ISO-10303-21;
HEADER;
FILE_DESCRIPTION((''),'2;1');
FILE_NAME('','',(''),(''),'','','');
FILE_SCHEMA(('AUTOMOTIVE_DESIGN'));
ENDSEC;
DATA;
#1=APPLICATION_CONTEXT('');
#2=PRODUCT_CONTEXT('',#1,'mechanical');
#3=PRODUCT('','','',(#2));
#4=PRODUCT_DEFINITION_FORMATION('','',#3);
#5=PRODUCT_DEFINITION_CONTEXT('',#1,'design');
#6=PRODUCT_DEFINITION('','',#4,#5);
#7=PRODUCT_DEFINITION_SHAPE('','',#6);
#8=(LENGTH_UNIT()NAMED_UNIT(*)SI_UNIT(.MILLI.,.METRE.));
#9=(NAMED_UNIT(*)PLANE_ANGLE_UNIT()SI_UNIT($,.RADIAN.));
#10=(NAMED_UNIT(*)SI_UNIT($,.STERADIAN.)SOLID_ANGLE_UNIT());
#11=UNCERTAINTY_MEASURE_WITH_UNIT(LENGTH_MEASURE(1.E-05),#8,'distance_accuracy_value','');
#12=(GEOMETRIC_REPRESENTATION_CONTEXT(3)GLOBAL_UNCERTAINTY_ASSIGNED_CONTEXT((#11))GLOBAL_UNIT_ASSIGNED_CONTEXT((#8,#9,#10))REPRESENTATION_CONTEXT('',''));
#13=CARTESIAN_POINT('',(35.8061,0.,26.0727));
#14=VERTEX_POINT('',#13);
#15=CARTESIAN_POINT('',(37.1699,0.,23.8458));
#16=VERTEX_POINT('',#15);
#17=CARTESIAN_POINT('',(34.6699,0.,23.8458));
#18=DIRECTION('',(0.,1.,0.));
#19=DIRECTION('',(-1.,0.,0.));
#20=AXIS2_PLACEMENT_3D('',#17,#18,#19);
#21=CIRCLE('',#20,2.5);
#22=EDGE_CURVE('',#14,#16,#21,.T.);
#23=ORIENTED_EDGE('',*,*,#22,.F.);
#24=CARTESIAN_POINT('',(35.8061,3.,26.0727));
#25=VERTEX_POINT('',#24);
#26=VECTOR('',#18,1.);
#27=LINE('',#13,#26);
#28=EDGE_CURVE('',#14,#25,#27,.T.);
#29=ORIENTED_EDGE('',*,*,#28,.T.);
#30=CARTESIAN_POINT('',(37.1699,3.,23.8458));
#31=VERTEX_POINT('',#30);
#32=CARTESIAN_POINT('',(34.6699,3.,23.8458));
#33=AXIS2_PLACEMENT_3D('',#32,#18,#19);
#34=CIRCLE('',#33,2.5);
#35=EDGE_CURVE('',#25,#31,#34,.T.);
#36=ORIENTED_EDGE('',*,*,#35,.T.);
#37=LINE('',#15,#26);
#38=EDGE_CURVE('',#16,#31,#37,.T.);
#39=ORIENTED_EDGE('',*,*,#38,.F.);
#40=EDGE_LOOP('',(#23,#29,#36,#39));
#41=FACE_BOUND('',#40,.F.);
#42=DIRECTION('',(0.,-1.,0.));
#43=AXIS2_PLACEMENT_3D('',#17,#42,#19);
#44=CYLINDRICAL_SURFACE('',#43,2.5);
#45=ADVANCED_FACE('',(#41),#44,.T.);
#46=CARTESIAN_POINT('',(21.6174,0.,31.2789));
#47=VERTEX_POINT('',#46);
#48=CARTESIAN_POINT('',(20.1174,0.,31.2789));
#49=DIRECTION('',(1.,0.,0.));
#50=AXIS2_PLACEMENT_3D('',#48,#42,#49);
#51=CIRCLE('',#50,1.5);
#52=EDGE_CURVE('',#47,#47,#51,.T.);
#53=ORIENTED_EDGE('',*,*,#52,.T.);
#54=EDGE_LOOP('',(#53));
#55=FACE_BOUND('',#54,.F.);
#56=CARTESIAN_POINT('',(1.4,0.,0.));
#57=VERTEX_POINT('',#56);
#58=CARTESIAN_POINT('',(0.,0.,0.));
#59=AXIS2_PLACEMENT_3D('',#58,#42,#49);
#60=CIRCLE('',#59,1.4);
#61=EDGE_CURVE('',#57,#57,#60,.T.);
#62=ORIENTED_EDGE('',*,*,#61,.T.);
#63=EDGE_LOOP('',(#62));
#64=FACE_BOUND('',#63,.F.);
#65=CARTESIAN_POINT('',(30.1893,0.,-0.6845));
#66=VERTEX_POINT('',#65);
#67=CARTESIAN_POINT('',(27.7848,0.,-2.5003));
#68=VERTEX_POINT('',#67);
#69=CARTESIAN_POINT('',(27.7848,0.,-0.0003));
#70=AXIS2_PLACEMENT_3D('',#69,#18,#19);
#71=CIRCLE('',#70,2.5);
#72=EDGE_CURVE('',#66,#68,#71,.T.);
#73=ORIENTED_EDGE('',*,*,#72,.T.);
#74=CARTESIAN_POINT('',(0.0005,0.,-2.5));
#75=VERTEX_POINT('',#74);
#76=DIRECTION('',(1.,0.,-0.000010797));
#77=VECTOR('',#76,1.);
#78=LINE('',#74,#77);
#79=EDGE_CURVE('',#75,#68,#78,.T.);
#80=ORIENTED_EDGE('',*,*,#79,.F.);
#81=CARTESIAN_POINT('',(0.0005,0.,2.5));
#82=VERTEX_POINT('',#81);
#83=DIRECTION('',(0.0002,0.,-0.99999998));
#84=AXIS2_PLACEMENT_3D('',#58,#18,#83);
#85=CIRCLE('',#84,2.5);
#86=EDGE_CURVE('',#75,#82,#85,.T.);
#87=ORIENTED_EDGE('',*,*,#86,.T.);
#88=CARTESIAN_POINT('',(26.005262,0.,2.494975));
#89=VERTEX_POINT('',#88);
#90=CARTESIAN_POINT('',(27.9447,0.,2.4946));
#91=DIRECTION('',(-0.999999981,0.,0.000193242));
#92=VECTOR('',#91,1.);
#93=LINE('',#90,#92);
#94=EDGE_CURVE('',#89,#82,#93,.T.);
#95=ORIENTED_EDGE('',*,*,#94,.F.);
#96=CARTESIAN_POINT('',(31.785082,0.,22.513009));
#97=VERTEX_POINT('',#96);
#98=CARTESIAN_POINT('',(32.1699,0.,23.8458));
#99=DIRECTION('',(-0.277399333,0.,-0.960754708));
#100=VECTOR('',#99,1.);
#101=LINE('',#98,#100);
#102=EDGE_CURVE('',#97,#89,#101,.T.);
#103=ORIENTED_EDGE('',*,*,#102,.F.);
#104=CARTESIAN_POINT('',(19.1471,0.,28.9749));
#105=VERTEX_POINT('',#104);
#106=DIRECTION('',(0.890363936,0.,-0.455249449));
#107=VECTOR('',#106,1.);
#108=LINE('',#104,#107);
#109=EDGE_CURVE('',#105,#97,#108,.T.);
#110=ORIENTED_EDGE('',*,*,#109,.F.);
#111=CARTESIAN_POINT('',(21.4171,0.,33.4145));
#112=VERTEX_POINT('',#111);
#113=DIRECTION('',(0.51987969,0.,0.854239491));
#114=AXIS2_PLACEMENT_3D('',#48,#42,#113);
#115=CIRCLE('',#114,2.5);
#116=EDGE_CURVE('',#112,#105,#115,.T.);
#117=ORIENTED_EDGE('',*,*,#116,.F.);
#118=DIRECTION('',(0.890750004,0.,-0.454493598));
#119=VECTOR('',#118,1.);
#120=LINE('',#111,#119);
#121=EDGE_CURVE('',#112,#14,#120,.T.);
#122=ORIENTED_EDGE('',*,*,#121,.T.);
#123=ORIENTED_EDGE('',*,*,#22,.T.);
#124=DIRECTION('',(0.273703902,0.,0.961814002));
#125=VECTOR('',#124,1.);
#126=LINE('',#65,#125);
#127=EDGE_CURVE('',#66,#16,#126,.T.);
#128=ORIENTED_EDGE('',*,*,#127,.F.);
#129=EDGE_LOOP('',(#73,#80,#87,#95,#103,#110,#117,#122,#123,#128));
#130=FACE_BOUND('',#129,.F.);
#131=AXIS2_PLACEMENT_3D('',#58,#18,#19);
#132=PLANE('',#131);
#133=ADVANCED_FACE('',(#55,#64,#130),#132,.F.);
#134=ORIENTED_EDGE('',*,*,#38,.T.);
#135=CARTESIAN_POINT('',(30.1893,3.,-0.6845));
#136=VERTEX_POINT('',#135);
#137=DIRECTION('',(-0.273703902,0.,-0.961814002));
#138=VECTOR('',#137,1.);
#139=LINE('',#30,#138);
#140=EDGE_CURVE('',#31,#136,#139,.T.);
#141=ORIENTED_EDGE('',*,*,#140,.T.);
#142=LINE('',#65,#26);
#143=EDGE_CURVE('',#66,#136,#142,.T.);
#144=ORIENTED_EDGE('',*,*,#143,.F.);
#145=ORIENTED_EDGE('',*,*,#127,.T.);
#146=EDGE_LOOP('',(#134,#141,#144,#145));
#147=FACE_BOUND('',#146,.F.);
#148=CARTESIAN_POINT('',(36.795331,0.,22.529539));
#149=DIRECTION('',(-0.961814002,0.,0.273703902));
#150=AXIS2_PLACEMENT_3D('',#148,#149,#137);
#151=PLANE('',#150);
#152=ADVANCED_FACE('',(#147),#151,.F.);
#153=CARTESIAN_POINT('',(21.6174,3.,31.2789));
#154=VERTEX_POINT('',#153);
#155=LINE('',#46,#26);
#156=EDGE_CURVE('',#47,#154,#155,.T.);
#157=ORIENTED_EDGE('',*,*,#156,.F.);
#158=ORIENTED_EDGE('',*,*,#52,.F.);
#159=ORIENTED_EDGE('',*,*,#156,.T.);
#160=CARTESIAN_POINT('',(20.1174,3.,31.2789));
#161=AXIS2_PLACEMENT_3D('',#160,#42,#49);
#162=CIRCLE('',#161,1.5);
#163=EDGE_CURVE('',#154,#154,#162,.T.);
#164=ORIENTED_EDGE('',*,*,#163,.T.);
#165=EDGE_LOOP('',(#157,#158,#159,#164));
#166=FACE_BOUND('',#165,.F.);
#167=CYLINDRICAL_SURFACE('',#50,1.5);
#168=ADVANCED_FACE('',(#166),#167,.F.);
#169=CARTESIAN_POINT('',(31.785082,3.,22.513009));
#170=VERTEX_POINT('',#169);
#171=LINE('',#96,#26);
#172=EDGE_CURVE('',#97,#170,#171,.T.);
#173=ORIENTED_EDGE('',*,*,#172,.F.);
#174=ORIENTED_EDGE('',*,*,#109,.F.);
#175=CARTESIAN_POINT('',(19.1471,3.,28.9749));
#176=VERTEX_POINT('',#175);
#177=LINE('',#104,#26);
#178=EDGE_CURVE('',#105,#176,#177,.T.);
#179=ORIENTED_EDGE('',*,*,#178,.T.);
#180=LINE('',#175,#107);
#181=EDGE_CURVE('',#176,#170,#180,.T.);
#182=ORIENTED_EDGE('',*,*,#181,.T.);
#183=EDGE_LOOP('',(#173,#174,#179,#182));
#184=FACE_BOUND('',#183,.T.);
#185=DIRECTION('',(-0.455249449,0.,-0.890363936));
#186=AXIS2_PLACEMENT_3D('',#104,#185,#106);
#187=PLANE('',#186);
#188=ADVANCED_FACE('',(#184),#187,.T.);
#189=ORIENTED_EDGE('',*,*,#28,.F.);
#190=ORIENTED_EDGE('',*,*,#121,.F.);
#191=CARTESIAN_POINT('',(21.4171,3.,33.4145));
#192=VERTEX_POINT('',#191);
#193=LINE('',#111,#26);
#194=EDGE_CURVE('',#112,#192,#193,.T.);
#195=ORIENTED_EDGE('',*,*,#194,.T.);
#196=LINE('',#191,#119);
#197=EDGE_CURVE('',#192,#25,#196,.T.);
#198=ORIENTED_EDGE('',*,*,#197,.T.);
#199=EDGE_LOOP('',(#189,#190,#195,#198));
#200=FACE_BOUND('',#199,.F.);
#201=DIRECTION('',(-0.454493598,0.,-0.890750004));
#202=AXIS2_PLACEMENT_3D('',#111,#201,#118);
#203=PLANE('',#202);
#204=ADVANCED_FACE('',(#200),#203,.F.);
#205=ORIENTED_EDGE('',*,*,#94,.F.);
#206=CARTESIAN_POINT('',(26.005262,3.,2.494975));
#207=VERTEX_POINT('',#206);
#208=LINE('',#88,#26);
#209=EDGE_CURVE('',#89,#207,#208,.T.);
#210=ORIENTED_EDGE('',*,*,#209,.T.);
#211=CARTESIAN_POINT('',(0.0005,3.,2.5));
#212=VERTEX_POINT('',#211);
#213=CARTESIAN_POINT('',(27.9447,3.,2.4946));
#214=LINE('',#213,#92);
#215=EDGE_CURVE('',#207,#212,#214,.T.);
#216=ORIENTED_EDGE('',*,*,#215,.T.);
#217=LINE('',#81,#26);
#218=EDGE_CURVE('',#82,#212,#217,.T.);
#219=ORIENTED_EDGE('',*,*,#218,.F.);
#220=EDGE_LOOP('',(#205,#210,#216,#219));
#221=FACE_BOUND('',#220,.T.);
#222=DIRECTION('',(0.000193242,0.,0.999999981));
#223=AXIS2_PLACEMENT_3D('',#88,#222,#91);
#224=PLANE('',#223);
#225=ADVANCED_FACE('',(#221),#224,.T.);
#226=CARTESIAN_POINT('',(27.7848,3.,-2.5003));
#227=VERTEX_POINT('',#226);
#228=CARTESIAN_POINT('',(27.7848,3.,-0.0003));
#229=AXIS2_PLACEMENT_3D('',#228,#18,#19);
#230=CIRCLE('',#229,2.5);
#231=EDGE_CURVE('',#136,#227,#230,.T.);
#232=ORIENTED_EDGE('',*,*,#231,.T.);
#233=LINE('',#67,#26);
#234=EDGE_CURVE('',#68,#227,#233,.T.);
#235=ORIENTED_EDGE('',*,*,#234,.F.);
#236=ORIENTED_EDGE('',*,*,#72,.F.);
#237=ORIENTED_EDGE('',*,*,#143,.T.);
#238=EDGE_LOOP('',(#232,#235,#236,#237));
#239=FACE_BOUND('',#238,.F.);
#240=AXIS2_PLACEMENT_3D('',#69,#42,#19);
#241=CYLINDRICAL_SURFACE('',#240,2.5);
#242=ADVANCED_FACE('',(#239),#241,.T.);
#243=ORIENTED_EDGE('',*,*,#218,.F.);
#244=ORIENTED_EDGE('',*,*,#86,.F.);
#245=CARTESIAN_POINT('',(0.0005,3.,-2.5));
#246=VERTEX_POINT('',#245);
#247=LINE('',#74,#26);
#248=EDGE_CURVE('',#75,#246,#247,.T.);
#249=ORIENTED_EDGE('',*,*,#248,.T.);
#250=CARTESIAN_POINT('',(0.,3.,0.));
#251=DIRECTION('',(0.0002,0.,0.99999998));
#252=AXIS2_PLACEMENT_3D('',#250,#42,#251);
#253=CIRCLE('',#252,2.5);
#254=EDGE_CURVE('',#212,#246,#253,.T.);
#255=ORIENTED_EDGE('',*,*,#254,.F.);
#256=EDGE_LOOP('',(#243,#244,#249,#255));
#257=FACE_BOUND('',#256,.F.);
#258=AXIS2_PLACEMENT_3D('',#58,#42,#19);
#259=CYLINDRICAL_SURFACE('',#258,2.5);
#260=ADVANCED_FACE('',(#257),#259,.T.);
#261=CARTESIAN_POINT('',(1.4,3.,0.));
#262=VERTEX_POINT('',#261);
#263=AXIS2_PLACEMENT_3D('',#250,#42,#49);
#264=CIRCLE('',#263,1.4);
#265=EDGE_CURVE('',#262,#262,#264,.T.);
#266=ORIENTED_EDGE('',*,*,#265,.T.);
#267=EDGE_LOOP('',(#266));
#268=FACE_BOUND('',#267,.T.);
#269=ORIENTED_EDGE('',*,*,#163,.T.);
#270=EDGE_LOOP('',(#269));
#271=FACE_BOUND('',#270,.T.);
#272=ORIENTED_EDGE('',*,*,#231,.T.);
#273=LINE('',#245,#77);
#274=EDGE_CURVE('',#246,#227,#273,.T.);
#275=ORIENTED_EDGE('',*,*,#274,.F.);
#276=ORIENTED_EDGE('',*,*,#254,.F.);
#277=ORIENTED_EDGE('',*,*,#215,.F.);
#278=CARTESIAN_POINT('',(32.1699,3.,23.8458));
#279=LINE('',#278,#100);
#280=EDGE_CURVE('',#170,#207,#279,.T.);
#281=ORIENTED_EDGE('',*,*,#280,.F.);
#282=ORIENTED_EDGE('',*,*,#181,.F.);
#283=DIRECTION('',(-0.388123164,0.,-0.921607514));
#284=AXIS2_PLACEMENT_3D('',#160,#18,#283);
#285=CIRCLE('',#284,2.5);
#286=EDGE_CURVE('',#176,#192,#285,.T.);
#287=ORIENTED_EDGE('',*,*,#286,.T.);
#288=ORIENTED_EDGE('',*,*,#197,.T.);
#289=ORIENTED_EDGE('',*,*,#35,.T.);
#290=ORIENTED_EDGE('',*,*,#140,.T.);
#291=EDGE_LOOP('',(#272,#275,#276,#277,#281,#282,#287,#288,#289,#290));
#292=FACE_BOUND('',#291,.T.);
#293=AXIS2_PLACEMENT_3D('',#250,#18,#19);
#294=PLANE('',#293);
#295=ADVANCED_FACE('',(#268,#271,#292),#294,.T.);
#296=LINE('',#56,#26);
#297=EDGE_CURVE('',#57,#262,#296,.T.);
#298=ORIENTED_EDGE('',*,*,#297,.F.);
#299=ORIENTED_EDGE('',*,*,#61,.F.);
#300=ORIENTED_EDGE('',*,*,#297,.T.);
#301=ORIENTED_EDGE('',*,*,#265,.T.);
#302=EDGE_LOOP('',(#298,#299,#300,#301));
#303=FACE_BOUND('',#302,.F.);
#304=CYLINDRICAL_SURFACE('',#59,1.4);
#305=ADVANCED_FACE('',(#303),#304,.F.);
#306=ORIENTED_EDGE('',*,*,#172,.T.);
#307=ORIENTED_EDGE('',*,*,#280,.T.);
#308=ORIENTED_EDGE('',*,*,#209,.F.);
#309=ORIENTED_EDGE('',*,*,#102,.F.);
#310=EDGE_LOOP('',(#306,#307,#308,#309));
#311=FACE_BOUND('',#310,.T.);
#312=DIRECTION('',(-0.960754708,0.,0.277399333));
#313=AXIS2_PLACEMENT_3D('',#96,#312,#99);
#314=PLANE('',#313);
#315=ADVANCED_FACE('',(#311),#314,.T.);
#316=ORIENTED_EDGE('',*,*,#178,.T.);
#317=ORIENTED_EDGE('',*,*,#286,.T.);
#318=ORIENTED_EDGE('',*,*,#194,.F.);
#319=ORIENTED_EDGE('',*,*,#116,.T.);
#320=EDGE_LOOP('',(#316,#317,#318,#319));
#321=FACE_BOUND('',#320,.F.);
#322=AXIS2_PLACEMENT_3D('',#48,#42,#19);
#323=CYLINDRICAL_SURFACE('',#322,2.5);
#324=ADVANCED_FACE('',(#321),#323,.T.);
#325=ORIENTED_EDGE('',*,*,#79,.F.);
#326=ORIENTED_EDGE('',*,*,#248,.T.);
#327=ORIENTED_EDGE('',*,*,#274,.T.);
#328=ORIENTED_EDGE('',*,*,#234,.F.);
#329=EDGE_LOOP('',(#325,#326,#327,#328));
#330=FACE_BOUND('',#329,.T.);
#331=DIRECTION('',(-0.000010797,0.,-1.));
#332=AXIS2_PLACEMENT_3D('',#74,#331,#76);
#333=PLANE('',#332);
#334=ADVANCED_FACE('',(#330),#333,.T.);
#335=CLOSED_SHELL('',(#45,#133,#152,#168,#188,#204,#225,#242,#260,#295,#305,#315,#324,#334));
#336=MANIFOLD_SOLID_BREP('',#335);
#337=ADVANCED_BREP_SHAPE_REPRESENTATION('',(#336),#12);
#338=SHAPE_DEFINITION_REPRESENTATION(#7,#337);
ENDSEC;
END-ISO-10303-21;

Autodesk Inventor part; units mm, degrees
ref_plane "YZ Plane" through (0, 0, 0) normal (1, 0, 0) x (0, 1, 0)
ref_plane "XZ Plane" through (0, 0, 0) normal (0, 1, 0) x (-1, 0, 0)
ref_plane "XY Plane" through (0, 0, 0) normal (0, 0, 1) x (1, 0, 0)
sketch "Sketch1" plane through (0, 0, 0) normal (0, 1, 0) x (-1, 0, 0)
  circle A0 centre (0, 0) radius 2.5
  circle A1 centre (-27.7848, -0.0003) radius 2.5
  circle A2 centre (-34.6699, 23.8458) radius 2.5
  circle A3 centre (-20.1174, 31.2789) radius 2.5
  line L0 (-32.1699, 23.8458) -> (-25.2848, -0.0003)
  line L1 (-37.1699, 23.8458) -> (-30.1893, -0.6845)
  line L2 (-27.9447, 2.4946) -> (-0.0005, 2.5)
  line L3 (-0.0005, -2.5) -> (-27.7848, -2.5003)
  line L4 (-19.1471, 28.9749) -> (-33.5318, 21.6199)
  arc A4 (-33.5318, 21.6199) -> (-35.8061, 26.0727) centre (-34.6699, 23.8458) ccw
  line L5 (-21.4171, 33.4145) -> (-35.8061, 26.0727)
  dimension "d0" = 5
  dimension "d1" = 5
  dimension "d2" = 5
  dimension "d3" = 5
extrude "Extrusion1" add sketch "Sketch1" along normal blind 3 contours A0 | A0 L3 A1 L0 L2 | L0 A1 L1 A2 L4 | A1 L0 | L4 A2 L0 | L0 A2 L5 A3 L4 | A1 L0 | A2 L1 | A3 picked at (-35.4421, 23.1763)
sketch "Sketch2" plane through (0, 0, 0) normal (0, -1, 0) x (1, 0, 0)
  circle A0 centre (0, 0) radius 1.4
  dimension "d6" = 2.8
extrude "Extrusion2" cut sketch "Sketch2" against normal blind 8
thread "Thread2" size "M3x0.5" class "6H" standard "ANSI Metric M Profile" full length
sketch "Sketch3" plane through (0, 0, 0) normal (0, -1, 0) x (1, 0, 0)
  arc A0 (21.4171, 33.4145) -> (19.1471, 28.9749) centre (20.1174, 31.2789) ccw projected
  circle A1 centre (20.1174, 31.2789) radius 1.5
  point P0 (0, 0)
  dimension "d13" = 3
extrude "Extrusion3" cut sketch "Sketch3" against normal blind 10
thread "Thread3" size "M3x0.5" class "6H" standard "ANSI Metric M Profile" full length
properties part number "Servo_Arm_Hook_F_new"
